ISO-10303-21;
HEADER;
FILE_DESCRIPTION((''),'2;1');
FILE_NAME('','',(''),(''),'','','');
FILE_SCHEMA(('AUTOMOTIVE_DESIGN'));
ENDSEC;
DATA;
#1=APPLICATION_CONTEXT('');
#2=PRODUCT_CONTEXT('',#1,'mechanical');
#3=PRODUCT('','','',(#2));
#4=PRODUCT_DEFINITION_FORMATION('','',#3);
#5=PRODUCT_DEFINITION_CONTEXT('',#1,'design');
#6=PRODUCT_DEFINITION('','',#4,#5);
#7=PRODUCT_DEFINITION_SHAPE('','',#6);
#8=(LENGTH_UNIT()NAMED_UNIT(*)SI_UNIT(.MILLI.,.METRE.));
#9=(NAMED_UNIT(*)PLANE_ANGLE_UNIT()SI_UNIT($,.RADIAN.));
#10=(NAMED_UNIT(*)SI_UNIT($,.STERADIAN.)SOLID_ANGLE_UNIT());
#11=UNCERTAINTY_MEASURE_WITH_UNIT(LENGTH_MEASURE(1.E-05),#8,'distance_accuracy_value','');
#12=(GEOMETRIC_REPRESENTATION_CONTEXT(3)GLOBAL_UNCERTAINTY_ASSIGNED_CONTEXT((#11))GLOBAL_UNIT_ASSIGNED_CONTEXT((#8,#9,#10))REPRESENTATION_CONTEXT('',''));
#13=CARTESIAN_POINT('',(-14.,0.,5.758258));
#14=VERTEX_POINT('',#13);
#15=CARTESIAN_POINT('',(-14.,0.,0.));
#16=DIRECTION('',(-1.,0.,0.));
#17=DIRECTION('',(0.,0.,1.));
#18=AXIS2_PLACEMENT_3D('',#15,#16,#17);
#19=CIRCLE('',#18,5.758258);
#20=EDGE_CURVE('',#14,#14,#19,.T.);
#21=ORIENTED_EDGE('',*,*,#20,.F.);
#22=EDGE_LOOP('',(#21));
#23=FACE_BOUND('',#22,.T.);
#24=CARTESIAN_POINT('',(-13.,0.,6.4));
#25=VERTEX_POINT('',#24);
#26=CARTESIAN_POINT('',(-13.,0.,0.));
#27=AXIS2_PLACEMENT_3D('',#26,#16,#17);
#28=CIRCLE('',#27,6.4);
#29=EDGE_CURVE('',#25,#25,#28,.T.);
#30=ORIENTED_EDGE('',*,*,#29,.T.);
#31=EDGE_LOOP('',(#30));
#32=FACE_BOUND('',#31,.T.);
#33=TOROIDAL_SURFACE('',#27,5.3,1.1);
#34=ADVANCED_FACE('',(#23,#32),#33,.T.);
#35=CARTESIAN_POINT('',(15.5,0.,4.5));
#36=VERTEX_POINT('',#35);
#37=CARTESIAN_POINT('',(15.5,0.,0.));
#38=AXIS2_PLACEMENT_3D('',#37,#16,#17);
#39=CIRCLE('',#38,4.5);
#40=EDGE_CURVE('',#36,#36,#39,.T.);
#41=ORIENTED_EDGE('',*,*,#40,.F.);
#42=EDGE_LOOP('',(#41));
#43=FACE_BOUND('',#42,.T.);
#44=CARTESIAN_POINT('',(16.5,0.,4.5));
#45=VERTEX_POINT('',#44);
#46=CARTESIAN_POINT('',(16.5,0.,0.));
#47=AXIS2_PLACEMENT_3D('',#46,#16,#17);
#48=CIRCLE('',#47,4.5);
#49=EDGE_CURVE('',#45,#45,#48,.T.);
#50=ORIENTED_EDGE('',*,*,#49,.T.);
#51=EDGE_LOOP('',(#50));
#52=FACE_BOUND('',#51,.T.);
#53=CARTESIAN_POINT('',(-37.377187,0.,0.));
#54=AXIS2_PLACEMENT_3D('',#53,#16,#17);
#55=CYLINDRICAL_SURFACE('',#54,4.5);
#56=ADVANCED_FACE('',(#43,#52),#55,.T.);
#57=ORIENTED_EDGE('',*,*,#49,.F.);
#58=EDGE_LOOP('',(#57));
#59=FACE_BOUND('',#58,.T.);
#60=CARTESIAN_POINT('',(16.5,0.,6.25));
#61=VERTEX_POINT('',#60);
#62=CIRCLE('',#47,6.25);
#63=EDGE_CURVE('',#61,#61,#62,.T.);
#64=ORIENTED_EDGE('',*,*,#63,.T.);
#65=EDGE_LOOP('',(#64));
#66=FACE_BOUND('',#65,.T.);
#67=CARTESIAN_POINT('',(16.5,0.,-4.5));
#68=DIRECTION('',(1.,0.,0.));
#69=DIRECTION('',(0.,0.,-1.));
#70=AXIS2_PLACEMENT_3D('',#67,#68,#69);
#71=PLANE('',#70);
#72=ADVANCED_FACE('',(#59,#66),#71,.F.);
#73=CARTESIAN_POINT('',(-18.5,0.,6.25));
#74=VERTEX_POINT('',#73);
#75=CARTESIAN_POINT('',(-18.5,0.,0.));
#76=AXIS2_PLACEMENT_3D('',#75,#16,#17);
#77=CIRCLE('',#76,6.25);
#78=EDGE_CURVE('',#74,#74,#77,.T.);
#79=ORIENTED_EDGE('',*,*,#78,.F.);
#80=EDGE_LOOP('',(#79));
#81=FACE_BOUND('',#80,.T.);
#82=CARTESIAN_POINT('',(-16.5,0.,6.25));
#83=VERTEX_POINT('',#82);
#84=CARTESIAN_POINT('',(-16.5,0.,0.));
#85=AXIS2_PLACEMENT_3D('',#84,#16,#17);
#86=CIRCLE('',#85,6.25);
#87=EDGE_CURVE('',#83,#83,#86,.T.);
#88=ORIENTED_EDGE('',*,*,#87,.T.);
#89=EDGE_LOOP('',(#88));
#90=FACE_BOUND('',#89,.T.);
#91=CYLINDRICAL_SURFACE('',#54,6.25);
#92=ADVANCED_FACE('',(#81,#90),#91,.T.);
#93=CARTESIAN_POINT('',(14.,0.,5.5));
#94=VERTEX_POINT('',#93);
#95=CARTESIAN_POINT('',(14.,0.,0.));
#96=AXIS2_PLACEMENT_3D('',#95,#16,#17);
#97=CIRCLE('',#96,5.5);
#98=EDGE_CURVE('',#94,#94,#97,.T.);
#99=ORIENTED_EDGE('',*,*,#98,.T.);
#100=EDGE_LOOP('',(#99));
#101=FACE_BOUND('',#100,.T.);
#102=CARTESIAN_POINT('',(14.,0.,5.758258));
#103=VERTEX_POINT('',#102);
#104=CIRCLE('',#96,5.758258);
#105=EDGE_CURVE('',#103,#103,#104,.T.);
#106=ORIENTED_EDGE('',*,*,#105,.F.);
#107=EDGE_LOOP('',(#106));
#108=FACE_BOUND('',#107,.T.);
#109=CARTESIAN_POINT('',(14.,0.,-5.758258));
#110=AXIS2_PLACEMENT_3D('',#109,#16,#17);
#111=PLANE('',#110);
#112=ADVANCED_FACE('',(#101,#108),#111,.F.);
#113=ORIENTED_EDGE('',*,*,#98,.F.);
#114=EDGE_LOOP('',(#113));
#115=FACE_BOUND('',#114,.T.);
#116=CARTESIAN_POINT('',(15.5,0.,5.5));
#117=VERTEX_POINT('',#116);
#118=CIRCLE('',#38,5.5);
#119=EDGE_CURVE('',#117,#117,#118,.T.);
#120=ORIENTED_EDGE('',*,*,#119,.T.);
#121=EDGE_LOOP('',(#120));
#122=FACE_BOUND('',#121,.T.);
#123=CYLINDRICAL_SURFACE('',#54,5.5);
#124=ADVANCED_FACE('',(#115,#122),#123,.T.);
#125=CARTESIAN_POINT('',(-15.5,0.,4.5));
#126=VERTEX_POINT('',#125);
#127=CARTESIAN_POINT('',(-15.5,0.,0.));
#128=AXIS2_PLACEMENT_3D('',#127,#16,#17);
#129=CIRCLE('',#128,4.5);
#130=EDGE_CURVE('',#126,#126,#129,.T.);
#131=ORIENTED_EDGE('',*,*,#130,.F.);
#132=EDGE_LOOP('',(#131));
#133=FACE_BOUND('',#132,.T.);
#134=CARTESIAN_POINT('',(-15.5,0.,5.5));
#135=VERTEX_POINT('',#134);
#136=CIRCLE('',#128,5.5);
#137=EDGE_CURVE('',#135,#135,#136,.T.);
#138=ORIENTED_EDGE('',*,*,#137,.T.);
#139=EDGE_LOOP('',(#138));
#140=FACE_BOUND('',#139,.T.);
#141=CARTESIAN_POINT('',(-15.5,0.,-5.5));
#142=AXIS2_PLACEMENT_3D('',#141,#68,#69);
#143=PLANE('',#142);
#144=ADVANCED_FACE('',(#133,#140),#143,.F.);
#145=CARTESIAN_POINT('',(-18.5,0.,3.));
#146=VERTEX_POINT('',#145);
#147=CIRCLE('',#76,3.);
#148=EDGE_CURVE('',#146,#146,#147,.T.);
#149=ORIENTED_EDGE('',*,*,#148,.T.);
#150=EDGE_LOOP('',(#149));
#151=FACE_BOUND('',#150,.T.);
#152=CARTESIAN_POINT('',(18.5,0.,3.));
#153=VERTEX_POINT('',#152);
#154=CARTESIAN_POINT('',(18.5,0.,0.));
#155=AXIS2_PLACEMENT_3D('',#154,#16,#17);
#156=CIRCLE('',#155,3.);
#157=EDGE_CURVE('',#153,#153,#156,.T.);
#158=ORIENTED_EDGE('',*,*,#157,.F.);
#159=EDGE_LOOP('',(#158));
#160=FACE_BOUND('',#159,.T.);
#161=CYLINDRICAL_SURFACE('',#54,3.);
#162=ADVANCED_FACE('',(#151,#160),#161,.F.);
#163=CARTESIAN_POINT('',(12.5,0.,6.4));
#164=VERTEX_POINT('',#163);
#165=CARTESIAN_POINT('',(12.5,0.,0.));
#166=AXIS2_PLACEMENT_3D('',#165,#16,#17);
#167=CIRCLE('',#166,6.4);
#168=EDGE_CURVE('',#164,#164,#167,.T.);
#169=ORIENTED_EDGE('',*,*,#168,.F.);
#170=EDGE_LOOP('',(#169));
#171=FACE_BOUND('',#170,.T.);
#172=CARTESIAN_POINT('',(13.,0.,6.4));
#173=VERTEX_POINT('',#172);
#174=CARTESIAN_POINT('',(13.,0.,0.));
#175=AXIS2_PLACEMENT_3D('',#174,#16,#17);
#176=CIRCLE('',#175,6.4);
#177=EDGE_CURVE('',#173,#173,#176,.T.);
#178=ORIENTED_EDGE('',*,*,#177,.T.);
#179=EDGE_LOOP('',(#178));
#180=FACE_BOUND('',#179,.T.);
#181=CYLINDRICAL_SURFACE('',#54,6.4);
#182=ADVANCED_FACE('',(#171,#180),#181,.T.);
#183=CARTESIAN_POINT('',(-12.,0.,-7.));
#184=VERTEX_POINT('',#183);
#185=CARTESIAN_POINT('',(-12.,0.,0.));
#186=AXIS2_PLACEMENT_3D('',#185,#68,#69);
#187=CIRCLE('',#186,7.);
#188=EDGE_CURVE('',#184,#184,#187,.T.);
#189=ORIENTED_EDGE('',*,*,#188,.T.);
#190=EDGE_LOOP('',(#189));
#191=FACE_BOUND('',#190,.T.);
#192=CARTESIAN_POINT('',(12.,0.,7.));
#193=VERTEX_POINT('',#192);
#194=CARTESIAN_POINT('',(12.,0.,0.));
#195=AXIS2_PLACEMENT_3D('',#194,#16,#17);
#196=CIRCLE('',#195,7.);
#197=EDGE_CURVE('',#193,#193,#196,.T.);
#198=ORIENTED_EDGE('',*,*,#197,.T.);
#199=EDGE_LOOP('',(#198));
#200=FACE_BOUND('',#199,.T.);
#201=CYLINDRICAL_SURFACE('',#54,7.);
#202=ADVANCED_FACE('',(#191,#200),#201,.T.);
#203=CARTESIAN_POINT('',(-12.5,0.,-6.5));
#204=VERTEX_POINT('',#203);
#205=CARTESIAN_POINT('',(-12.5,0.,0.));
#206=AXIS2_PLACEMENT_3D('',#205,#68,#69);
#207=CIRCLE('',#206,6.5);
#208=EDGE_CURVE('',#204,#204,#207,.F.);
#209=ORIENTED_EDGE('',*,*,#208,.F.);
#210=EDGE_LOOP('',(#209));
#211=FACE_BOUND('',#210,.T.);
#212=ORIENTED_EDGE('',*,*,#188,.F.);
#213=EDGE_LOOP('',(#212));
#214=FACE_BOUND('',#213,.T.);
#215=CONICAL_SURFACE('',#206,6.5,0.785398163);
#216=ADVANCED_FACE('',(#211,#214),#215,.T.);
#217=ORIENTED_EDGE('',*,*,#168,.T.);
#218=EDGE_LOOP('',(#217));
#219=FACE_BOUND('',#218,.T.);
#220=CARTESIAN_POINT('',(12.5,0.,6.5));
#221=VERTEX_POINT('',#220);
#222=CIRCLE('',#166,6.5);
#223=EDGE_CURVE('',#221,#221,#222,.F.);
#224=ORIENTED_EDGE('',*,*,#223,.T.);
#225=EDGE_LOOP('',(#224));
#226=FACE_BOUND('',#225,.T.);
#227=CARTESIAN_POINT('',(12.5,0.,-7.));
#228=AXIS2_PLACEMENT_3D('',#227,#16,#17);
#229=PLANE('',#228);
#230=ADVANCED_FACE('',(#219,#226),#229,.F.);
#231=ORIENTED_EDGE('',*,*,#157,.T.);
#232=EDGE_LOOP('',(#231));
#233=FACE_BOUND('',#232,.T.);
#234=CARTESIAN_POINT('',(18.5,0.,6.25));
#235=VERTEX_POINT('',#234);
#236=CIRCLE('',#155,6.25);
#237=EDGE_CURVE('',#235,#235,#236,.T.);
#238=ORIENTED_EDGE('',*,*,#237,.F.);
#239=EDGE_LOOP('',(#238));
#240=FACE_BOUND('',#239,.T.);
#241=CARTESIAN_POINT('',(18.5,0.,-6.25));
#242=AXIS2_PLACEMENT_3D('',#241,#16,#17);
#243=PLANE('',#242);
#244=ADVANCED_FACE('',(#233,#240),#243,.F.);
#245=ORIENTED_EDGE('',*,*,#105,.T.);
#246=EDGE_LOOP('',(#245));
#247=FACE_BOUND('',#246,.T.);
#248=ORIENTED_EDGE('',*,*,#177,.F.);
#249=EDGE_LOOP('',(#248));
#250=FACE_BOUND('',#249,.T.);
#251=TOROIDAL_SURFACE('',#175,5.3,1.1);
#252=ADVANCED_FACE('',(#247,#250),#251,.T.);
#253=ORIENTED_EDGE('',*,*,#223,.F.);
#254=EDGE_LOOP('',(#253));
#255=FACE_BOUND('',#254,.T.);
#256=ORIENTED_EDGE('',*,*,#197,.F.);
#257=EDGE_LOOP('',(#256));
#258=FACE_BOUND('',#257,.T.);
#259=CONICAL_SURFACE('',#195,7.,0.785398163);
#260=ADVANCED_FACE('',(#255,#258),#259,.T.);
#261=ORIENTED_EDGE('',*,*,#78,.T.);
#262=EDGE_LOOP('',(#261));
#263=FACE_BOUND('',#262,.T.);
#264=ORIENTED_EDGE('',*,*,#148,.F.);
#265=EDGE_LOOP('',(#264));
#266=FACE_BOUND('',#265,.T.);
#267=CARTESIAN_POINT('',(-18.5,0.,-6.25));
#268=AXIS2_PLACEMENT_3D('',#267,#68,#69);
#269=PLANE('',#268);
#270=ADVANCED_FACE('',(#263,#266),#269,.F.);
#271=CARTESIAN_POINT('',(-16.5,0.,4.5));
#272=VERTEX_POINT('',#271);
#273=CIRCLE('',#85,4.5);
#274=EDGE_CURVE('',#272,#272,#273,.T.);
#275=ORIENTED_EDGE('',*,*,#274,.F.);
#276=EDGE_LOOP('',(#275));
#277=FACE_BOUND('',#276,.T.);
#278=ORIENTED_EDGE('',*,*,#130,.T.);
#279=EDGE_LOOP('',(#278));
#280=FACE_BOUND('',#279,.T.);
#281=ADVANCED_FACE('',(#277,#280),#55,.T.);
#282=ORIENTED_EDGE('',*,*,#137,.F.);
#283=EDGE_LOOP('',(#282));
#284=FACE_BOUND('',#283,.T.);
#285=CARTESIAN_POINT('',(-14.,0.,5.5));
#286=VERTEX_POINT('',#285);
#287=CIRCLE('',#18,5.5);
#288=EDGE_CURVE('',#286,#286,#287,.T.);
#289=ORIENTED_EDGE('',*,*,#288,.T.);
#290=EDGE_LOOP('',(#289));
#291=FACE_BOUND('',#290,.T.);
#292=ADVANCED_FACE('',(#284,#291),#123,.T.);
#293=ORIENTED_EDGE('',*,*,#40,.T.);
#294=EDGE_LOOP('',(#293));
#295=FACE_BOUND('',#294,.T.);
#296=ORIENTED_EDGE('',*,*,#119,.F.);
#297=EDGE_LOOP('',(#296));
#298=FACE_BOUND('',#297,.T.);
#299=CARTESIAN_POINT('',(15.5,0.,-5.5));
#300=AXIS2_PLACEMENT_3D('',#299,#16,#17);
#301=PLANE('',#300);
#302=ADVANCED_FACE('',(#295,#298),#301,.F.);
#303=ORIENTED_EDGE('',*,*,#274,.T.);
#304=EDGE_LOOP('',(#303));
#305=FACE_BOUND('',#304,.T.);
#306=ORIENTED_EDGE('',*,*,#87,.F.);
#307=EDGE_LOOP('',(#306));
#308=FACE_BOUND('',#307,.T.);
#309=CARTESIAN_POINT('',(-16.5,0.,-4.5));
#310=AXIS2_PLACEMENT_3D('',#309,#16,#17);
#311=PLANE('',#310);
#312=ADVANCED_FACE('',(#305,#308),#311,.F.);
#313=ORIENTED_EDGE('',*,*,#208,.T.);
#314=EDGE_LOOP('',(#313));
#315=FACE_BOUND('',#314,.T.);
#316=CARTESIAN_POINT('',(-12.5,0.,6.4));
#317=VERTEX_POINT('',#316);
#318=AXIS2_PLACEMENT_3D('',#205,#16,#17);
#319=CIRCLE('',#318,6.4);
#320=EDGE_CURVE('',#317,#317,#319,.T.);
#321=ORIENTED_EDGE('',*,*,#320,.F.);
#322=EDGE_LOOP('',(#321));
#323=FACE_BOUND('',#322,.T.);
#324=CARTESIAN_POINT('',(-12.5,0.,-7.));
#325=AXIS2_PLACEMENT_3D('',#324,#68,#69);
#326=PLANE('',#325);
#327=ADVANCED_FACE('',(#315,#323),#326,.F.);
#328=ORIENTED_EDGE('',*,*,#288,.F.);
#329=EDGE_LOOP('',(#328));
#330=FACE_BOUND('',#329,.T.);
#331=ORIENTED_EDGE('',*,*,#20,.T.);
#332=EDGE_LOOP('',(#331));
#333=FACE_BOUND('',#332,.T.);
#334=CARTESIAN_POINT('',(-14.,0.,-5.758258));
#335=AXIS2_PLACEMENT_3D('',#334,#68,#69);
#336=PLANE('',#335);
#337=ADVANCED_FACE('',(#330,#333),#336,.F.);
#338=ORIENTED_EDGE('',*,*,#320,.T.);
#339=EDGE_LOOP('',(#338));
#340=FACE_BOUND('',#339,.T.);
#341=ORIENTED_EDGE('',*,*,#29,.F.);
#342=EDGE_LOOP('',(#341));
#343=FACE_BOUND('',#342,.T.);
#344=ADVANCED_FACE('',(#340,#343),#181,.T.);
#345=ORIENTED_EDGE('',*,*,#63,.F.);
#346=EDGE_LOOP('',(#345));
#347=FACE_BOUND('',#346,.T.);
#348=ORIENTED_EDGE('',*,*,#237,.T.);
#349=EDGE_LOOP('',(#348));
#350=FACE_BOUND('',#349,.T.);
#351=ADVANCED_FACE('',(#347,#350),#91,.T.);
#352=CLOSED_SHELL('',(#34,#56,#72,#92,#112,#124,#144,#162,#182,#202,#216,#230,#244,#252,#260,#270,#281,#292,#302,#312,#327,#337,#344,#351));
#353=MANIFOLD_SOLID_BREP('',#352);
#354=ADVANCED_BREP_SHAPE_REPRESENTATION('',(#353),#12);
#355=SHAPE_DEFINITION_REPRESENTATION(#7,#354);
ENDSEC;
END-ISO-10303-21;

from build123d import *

# Parameters (mm, degrees)
CHAMFER_1_SIZE = 0.5


with BuildPart() as part:
    # 草图1 → 旋转1 (revolve)
    with BuildSketch(Plane(origin=(0, 0, 0), x_dir=(1, 0, 0), z_dir=(0, 1, 0)), mode=Mode.PRIVATE) as revolve_1_sk:
        with BuildLine():
            Line((-12.5, 7), (12.5, 7))
            Line((12.5, 7), (12.5, 6.4))
            Line((12.5, 6.4), (13, 6.4))
            ThreePointArc((13, 6.4), (13.594102968, 6.225765447), (14, 5.758257569))
            Line((14, 5.758257569), (14, 5.5))
            Line((14, 5.5), (15.5, 5.5))
            Line((15.5, 5.5), (15.5, 4.5))
            Line((15.5, 4.5), (16.5, 4.5))
            Line((16.5, 4.5), (16.5, 6.25))
            Line((16.5, 6.25), (18.5, 6.25))
            Line((18.5, 6.25), (18.5, 3))
            Line((18.5, 3), (-18.5, 3))
            Line((-18.5, 3), (-18.5, 6.25))
            Line((-18.5, 6.25), (-16.5, 6.25))
            Line((-16.5, 6.25), (-16.5, 4.5))
            Line((-16.5, 4.5), (-15.5, 4.5))
            Line((-15.5, 4.5), (-15.5, 5.5))
            Line((-15.5, 5.5), (-14, 5.5))
            Line((-14, 5.5), (-14, 5.758257569))
            ThreePointArc((-14, 5.758257569), (-13.594102968, 6.225765447), (-13, 6.4))
            Line((-13, 6.4), (-12.5, 6.4))
            Line((-12.5, 6.4), (-12.5, 7))
        make_face()
    revolve(revolve_1_sk.sketch.rotate(Axis((-37.377186512, 0, 0), (1, 0, 0)), 180), axis=Axis((-37.377186512, 0, 0), (1, 0, 0)))

    # 倒角1
    chamfer_1_edges = [part.edges().sort_by_distance(p)[0] for p in [
        (-12.5, 0, -7),
        (12.5, 0, -7),
    ]]
    chamfer(chamfer_1_edges, length=CHAMFER_1_SIZE)


solid = part.part
